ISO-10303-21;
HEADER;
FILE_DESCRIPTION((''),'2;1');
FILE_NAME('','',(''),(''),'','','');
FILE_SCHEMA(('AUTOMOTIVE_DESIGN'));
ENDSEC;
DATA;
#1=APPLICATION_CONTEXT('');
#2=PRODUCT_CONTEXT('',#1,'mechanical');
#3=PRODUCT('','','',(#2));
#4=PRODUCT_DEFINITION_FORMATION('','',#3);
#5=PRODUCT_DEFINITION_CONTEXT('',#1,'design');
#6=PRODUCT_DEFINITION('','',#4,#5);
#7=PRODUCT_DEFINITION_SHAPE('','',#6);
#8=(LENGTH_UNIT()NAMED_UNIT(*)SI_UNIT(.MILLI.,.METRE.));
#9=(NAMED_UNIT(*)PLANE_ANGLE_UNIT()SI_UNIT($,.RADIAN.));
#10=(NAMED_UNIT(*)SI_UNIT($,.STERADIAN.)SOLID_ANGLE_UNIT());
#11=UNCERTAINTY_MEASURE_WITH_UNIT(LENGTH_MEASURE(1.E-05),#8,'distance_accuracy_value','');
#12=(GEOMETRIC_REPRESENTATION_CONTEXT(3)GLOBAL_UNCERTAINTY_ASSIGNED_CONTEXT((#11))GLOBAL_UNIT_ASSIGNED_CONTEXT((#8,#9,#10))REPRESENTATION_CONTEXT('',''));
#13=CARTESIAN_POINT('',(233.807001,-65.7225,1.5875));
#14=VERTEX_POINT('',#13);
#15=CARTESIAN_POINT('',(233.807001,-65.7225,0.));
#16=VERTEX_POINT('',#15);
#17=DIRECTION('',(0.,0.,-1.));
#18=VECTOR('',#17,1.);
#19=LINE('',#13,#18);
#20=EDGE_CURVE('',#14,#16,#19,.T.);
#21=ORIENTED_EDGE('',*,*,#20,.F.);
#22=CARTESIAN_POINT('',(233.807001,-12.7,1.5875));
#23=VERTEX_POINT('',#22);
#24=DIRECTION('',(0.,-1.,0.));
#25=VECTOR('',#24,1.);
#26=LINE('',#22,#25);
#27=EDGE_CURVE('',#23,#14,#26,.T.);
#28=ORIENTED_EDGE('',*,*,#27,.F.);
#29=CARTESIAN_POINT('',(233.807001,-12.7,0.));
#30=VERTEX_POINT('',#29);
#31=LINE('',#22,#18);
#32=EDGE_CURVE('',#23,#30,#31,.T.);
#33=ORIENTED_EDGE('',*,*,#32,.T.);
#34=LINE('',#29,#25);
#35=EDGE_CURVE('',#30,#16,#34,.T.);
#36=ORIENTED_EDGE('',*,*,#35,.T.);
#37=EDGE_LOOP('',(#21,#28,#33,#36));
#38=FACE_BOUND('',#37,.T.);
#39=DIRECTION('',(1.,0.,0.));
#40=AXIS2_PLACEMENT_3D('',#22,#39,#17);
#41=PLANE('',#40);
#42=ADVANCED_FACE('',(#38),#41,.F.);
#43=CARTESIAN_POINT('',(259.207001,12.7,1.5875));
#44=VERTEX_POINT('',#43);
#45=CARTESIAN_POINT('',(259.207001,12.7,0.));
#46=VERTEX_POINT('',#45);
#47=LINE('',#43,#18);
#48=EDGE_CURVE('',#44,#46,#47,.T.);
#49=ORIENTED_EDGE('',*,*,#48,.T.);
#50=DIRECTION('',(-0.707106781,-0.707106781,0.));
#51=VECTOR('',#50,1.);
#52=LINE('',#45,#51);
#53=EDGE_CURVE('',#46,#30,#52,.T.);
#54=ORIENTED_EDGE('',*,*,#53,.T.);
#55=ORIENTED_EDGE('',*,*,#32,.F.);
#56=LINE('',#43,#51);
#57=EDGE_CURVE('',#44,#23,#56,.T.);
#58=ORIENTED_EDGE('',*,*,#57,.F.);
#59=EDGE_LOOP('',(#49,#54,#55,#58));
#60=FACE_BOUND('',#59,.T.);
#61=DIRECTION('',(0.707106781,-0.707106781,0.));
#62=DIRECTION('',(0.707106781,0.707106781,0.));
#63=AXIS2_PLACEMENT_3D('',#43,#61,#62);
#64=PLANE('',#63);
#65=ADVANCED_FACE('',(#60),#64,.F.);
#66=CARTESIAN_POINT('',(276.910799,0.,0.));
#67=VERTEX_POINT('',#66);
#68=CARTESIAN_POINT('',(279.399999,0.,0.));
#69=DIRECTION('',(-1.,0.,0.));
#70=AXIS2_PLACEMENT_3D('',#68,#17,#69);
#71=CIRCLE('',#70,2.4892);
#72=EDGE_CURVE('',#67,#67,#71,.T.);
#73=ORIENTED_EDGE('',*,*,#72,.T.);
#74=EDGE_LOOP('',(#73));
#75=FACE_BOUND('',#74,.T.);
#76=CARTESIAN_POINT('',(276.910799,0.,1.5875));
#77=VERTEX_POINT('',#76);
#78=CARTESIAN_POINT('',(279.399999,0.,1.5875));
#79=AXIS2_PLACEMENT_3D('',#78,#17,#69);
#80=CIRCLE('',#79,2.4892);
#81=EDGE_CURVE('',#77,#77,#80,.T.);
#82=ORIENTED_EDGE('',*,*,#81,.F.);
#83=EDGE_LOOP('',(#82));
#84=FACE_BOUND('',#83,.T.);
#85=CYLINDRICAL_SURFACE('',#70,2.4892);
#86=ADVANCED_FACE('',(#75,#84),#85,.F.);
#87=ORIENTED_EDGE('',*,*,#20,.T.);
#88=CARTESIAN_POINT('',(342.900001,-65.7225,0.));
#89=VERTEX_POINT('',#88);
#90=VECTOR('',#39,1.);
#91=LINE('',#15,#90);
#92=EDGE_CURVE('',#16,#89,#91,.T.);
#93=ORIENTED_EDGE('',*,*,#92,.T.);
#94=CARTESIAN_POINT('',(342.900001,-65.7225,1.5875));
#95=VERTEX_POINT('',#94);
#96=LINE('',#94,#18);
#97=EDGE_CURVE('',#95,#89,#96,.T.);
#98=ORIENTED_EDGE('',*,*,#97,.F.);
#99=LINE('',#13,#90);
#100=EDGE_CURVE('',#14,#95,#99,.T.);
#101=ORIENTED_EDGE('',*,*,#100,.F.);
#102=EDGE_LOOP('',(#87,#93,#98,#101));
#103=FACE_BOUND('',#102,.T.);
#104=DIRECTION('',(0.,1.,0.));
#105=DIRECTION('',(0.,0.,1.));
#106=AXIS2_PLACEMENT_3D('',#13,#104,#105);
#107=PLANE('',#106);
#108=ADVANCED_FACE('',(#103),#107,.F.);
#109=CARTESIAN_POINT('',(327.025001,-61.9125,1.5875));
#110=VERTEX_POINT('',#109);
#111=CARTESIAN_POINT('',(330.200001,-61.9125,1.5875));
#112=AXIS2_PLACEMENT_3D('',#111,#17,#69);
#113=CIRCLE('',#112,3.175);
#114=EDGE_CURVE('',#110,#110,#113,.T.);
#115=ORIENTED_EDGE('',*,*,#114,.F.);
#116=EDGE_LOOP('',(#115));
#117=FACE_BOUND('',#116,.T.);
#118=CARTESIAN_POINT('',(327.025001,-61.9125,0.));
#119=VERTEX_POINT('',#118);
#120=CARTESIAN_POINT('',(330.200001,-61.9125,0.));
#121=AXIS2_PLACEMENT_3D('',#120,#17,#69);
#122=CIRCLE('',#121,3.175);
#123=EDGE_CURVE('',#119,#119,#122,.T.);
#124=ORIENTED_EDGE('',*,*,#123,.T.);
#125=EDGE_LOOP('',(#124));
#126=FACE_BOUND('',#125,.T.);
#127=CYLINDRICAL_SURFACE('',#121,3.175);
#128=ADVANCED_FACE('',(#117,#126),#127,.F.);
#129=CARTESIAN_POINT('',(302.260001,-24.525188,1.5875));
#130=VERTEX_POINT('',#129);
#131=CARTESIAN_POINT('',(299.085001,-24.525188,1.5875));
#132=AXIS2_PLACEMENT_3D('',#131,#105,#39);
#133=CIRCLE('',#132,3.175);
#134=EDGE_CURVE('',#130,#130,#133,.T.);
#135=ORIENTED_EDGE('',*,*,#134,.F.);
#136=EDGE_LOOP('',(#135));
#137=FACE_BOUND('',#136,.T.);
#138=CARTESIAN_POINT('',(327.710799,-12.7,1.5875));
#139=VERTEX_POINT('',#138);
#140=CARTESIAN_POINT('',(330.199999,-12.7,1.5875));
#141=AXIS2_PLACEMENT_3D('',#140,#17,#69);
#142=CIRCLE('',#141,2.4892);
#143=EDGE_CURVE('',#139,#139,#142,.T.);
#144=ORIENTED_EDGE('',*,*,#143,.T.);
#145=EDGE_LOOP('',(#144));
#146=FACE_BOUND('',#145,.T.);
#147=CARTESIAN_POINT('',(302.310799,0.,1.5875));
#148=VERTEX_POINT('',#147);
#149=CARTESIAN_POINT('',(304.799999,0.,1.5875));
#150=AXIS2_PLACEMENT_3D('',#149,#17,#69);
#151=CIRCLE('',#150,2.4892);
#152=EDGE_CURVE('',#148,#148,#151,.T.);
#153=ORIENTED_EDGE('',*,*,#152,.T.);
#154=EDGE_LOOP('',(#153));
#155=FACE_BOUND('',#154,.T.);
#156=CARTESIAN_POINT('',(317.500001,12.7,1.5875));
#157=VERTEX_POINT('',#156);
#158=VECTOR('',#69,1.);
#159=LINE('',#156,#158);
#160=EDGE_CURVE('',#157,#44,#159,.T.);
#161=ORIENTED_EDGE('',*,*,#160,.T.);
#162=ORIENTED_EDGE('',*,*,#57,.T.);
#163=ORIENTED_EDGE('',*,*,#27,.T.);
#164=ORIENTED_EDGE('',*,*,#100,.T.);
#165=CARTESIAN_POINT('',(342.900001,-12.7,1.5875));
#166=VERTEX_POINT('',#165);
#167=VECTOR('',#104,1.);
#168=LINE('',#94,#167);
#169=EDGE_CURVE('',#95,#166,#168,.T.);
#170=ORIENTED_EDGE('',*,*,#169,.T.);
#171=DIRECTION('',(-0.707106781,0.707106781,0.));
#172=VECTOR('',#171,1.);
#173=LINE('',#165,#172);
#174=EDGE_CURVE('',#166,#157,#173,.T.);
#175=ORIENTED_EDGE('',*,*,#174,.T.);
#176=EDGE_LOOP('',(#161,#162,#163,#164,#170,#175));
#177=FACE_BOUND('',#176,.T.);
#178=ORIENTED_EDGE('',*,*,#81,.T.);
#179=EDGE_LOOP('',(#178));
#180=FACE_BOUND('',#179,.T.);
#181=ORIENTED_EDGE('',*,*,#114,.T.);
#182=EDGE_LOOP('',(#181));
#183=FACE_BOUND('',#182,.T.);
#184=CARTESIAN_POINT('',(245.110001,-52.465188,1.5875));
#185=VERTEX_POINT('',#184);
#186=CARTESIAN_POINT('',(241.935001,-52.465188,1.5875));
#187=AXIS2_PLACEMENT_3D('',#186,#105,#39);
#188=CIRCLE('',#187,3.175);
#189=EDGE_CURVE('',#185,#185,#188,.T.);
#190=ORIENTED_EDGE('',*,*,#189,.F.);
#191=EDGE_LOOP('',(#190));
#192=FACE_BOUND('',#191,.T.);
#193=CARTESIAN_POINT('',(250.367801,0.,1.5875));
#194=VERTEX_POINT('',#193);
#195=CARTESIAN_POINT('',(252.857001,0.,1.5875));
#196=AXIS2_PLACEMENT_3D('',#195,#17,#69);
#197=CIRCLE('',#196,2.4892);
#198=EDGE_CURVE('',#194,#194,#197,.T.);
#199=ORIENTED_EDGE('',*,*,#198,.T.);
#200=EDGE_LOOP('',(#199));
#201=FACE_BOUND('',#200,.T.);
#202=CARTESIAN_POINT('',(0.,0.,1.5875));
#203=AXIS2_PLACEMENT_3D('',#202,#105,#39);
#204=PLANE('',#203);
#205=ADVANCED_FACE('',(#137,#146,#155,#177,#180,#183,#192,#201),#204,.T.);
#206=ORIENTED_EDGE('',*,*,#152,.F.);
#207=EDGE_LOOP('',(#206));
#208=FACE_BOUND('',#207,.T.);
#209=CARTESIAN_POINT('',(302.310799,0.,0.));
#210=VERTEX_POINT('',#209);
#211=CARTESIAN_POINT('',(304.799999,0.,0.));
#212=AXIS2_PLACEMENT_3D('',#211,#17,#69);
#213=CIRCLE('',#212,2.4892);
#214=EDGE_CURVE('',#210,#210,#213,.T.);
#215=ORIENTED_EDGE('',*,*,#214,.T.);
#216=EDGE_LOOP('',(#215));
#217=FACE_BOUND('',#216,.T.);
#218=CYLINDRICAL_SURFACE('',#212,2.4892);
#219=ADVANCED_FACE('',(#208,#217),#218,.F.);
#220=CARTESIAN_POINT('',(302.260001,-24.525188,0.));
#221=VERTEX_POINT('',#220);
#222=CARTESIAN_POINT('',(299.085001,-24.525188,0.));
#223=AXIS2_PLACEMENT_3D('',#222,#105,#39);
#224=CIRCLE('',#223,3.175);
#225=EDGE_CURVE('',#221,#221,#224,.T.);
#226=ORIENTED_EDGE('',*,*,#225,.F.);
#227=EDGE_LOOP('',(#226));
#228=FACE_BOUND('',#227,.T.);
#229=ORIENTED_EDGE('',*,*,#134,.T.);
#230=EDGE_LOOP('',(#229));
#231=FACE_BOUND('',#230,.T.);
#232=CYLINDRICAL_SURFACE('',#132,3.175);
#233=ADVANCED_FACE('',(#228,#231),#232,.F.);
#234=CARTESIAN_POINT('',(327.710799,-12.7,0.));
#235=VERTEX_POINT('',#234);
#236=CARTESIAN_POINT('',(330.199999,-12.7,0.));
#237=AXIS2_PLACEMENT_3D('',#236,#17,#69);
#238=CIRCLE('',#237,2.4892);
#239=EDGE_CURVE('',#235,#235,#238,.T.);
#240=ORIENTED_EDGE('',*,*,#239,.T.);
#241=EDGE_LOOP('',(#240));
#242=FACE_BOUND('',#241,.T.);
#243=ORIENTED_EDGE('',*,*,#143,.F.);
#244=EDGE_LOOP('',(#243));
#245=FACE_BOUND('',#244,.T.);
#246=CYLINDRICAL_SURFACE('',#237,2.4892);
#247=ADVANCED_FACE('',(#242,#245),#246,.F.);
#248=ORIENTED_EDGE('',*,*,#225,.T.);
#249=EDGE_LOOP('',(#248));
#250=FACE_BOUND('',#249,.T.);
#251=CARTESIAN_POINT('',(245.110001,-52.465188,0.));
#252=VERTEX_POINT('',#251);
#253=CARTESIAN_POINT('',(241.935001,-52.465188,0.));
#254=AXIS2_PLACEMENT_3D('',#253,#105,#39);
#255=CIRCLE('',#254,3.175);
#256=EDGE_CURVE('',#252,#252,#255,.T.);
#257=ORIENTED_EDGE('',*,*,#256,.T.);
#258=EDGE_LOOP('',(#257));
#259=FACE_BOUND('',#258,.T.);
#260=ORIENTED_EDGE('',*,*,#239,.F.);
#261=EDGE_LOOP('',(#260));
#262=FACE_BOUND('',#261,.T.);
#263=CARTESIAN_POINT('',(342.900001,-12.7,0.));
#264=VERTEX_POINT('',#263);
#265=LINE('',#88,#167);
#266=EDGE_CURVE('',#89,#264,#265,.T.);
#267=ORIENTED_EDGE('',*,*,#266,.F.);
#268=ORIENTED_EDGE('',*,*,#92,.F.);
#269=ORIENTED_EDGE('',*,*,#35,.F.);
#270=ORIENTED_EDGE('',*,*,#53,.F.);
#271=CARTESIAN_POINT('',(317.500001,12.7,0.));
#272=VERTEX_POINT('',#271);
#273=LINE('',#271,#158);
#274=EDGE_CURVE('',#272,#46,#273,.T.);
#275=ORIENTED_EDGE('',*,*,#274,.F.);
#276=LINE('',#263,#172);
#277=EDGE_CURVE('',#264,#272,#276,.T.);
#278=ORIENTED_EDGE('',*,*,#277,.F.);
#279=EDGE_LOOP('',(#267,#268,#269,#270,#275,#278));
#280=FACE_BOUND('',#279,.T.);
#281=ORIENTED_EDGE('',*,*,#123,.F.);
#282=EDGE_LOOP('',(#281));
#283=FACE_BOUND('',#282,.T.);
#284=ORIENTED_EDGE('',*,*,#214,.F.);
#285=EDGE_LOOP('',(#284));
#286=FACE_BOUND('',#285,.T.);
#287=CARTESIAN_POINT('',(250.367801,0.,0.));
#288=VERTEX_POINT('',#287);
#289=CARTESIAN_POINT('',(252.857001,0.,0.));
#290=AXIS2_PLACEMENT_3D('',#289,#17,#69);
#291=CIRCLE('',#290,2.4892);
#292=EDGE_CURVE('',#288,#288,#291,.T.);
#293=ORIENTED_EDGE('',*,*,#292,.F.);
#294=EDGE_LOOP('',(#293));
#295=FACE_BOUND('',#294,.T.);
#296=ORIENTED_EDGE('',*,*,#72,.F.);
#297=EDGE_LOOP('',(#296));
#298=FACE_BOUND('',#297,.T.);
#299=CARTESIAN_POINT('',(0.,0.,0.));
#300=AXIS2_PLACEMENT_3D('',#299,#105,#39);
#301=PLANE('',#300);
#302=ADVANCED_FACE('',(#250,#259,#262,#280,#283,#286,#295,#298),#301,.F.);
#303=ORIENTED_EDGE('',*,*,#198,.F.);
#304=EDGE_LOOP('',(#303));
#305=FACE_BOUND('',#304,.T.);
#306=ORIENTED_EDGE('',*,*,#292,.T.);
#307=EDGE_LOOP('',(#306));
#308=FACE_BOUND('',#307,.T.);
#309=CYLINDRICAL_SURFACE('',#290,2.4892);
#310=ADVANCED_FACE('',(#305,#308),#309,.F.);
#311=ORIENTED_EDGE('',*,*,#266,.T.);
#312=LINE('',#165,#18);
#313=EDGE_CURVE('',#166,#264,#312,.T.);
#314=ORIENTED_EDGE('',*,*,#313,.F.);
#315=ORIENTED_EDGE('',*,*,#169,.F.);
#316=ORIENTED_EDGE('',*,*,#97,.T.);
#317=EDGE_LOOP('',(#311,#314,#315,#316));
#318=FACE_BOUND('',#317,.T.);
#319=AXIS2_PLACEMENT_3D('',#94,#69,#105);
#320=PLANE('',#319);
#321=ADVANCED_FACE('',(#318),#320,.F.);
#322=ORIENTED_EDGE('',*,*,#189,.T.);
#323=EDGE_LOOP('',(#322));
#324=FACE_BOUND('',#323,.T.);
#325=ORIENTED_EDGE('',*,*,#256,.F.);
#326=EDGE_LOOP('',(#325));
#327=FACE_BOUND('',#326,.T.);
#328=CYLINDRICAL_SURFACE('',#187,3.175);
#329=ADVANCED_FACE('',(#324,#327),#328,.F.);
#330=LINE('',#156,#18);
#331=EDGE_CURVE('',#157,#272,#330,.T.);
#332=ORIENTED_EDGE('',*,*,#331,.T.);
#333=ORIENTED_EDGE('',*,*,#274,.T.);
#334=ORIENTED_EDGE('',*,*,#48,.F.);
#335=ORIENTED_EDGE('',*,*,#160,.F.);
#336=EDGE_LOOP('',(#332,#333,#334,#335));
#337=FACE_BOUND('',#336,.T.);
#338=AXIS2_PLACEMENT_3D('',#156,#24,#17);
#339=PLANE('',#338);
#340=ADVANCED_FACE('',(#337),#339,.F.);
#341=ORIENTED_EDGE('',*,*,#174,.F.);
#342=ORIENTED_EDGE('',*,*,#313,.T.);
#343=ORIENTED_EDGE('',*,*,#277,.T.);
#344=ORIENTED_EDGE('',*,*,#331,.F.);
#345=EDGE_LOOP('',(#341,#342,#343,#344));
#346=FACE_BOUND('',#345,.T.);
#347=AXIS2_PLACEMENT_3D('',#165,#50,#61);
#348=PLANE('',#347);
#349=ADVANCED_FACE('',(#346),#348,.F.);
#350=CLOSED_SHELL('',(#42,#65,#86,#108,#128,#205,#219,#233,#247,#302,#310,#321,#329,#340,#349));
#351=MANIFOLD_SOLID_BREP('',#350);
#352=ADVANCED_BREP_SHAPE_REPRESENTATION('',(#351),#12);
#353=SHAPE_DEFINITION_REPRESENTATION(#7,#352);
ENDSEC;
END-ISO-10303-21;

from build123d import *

# Parameters (mm, degrees)
BOSS_EXTRUDE1_DEPTH         = 1.5875
F_10_CLEARANCE_HOLE1_D      = 4.9784
F_1_4_0_25_DIAMETER_HOLE1_D = 6.35
F_1_4_0_25_DIAMETER_HOLE2_D = 6.35


with BuildPart() as part:
    # Sketch1 → Boss-Extrude1 (new body)
    with BuildSketch(Plane.XY):
        Polygon((233.807000506, -12.7), (233.807000506, -65.7225), (342.900001016, -65.7225), (342.900001016, -12.7), (317.500001016, 12.7), (259.207000506, 12.7), align=None)
    extrude(amount=BOSS_EXTRUDE1_DEPTH)

    # #10 Clearance Hole1 (through all)
    with Locations(Plane(origin=(0, 0, 0), x_dir=(-1, 0, 0), z_dir=(0, 0, -1))):
        with Locations((-330.199999492, -12.7), (-304.799999492, 0), (-279.399999492, 0), (-252.857001004, -8e-09)):
            Hole(F_10_CLEARANCE_HOLE1_D / 2)

    # 1/4 (0.25) Diameter Hole1 (through all)
    with Locations(Plane(origin=(0, 0, 0), x_dir=(-1, 0, 0), z_dir=(0, 0, -1))):
        with Locations((-330.200001016, -61.9125)):
            Hole(F_1_4_0_25_DIAMETER_HOLE1_D / 2)

    # 1/4 (0.25) Diameter Hole2 (through all)
    with Locations(Plane.XY.offset(1.5875)):
        with Locations((299.085001016, -24.525188452), (241.935001016, -52.465188452)):
            Hole(F_1_4_0_25_DIAMETER_HOLE2_D / 2)


solid = part.part
